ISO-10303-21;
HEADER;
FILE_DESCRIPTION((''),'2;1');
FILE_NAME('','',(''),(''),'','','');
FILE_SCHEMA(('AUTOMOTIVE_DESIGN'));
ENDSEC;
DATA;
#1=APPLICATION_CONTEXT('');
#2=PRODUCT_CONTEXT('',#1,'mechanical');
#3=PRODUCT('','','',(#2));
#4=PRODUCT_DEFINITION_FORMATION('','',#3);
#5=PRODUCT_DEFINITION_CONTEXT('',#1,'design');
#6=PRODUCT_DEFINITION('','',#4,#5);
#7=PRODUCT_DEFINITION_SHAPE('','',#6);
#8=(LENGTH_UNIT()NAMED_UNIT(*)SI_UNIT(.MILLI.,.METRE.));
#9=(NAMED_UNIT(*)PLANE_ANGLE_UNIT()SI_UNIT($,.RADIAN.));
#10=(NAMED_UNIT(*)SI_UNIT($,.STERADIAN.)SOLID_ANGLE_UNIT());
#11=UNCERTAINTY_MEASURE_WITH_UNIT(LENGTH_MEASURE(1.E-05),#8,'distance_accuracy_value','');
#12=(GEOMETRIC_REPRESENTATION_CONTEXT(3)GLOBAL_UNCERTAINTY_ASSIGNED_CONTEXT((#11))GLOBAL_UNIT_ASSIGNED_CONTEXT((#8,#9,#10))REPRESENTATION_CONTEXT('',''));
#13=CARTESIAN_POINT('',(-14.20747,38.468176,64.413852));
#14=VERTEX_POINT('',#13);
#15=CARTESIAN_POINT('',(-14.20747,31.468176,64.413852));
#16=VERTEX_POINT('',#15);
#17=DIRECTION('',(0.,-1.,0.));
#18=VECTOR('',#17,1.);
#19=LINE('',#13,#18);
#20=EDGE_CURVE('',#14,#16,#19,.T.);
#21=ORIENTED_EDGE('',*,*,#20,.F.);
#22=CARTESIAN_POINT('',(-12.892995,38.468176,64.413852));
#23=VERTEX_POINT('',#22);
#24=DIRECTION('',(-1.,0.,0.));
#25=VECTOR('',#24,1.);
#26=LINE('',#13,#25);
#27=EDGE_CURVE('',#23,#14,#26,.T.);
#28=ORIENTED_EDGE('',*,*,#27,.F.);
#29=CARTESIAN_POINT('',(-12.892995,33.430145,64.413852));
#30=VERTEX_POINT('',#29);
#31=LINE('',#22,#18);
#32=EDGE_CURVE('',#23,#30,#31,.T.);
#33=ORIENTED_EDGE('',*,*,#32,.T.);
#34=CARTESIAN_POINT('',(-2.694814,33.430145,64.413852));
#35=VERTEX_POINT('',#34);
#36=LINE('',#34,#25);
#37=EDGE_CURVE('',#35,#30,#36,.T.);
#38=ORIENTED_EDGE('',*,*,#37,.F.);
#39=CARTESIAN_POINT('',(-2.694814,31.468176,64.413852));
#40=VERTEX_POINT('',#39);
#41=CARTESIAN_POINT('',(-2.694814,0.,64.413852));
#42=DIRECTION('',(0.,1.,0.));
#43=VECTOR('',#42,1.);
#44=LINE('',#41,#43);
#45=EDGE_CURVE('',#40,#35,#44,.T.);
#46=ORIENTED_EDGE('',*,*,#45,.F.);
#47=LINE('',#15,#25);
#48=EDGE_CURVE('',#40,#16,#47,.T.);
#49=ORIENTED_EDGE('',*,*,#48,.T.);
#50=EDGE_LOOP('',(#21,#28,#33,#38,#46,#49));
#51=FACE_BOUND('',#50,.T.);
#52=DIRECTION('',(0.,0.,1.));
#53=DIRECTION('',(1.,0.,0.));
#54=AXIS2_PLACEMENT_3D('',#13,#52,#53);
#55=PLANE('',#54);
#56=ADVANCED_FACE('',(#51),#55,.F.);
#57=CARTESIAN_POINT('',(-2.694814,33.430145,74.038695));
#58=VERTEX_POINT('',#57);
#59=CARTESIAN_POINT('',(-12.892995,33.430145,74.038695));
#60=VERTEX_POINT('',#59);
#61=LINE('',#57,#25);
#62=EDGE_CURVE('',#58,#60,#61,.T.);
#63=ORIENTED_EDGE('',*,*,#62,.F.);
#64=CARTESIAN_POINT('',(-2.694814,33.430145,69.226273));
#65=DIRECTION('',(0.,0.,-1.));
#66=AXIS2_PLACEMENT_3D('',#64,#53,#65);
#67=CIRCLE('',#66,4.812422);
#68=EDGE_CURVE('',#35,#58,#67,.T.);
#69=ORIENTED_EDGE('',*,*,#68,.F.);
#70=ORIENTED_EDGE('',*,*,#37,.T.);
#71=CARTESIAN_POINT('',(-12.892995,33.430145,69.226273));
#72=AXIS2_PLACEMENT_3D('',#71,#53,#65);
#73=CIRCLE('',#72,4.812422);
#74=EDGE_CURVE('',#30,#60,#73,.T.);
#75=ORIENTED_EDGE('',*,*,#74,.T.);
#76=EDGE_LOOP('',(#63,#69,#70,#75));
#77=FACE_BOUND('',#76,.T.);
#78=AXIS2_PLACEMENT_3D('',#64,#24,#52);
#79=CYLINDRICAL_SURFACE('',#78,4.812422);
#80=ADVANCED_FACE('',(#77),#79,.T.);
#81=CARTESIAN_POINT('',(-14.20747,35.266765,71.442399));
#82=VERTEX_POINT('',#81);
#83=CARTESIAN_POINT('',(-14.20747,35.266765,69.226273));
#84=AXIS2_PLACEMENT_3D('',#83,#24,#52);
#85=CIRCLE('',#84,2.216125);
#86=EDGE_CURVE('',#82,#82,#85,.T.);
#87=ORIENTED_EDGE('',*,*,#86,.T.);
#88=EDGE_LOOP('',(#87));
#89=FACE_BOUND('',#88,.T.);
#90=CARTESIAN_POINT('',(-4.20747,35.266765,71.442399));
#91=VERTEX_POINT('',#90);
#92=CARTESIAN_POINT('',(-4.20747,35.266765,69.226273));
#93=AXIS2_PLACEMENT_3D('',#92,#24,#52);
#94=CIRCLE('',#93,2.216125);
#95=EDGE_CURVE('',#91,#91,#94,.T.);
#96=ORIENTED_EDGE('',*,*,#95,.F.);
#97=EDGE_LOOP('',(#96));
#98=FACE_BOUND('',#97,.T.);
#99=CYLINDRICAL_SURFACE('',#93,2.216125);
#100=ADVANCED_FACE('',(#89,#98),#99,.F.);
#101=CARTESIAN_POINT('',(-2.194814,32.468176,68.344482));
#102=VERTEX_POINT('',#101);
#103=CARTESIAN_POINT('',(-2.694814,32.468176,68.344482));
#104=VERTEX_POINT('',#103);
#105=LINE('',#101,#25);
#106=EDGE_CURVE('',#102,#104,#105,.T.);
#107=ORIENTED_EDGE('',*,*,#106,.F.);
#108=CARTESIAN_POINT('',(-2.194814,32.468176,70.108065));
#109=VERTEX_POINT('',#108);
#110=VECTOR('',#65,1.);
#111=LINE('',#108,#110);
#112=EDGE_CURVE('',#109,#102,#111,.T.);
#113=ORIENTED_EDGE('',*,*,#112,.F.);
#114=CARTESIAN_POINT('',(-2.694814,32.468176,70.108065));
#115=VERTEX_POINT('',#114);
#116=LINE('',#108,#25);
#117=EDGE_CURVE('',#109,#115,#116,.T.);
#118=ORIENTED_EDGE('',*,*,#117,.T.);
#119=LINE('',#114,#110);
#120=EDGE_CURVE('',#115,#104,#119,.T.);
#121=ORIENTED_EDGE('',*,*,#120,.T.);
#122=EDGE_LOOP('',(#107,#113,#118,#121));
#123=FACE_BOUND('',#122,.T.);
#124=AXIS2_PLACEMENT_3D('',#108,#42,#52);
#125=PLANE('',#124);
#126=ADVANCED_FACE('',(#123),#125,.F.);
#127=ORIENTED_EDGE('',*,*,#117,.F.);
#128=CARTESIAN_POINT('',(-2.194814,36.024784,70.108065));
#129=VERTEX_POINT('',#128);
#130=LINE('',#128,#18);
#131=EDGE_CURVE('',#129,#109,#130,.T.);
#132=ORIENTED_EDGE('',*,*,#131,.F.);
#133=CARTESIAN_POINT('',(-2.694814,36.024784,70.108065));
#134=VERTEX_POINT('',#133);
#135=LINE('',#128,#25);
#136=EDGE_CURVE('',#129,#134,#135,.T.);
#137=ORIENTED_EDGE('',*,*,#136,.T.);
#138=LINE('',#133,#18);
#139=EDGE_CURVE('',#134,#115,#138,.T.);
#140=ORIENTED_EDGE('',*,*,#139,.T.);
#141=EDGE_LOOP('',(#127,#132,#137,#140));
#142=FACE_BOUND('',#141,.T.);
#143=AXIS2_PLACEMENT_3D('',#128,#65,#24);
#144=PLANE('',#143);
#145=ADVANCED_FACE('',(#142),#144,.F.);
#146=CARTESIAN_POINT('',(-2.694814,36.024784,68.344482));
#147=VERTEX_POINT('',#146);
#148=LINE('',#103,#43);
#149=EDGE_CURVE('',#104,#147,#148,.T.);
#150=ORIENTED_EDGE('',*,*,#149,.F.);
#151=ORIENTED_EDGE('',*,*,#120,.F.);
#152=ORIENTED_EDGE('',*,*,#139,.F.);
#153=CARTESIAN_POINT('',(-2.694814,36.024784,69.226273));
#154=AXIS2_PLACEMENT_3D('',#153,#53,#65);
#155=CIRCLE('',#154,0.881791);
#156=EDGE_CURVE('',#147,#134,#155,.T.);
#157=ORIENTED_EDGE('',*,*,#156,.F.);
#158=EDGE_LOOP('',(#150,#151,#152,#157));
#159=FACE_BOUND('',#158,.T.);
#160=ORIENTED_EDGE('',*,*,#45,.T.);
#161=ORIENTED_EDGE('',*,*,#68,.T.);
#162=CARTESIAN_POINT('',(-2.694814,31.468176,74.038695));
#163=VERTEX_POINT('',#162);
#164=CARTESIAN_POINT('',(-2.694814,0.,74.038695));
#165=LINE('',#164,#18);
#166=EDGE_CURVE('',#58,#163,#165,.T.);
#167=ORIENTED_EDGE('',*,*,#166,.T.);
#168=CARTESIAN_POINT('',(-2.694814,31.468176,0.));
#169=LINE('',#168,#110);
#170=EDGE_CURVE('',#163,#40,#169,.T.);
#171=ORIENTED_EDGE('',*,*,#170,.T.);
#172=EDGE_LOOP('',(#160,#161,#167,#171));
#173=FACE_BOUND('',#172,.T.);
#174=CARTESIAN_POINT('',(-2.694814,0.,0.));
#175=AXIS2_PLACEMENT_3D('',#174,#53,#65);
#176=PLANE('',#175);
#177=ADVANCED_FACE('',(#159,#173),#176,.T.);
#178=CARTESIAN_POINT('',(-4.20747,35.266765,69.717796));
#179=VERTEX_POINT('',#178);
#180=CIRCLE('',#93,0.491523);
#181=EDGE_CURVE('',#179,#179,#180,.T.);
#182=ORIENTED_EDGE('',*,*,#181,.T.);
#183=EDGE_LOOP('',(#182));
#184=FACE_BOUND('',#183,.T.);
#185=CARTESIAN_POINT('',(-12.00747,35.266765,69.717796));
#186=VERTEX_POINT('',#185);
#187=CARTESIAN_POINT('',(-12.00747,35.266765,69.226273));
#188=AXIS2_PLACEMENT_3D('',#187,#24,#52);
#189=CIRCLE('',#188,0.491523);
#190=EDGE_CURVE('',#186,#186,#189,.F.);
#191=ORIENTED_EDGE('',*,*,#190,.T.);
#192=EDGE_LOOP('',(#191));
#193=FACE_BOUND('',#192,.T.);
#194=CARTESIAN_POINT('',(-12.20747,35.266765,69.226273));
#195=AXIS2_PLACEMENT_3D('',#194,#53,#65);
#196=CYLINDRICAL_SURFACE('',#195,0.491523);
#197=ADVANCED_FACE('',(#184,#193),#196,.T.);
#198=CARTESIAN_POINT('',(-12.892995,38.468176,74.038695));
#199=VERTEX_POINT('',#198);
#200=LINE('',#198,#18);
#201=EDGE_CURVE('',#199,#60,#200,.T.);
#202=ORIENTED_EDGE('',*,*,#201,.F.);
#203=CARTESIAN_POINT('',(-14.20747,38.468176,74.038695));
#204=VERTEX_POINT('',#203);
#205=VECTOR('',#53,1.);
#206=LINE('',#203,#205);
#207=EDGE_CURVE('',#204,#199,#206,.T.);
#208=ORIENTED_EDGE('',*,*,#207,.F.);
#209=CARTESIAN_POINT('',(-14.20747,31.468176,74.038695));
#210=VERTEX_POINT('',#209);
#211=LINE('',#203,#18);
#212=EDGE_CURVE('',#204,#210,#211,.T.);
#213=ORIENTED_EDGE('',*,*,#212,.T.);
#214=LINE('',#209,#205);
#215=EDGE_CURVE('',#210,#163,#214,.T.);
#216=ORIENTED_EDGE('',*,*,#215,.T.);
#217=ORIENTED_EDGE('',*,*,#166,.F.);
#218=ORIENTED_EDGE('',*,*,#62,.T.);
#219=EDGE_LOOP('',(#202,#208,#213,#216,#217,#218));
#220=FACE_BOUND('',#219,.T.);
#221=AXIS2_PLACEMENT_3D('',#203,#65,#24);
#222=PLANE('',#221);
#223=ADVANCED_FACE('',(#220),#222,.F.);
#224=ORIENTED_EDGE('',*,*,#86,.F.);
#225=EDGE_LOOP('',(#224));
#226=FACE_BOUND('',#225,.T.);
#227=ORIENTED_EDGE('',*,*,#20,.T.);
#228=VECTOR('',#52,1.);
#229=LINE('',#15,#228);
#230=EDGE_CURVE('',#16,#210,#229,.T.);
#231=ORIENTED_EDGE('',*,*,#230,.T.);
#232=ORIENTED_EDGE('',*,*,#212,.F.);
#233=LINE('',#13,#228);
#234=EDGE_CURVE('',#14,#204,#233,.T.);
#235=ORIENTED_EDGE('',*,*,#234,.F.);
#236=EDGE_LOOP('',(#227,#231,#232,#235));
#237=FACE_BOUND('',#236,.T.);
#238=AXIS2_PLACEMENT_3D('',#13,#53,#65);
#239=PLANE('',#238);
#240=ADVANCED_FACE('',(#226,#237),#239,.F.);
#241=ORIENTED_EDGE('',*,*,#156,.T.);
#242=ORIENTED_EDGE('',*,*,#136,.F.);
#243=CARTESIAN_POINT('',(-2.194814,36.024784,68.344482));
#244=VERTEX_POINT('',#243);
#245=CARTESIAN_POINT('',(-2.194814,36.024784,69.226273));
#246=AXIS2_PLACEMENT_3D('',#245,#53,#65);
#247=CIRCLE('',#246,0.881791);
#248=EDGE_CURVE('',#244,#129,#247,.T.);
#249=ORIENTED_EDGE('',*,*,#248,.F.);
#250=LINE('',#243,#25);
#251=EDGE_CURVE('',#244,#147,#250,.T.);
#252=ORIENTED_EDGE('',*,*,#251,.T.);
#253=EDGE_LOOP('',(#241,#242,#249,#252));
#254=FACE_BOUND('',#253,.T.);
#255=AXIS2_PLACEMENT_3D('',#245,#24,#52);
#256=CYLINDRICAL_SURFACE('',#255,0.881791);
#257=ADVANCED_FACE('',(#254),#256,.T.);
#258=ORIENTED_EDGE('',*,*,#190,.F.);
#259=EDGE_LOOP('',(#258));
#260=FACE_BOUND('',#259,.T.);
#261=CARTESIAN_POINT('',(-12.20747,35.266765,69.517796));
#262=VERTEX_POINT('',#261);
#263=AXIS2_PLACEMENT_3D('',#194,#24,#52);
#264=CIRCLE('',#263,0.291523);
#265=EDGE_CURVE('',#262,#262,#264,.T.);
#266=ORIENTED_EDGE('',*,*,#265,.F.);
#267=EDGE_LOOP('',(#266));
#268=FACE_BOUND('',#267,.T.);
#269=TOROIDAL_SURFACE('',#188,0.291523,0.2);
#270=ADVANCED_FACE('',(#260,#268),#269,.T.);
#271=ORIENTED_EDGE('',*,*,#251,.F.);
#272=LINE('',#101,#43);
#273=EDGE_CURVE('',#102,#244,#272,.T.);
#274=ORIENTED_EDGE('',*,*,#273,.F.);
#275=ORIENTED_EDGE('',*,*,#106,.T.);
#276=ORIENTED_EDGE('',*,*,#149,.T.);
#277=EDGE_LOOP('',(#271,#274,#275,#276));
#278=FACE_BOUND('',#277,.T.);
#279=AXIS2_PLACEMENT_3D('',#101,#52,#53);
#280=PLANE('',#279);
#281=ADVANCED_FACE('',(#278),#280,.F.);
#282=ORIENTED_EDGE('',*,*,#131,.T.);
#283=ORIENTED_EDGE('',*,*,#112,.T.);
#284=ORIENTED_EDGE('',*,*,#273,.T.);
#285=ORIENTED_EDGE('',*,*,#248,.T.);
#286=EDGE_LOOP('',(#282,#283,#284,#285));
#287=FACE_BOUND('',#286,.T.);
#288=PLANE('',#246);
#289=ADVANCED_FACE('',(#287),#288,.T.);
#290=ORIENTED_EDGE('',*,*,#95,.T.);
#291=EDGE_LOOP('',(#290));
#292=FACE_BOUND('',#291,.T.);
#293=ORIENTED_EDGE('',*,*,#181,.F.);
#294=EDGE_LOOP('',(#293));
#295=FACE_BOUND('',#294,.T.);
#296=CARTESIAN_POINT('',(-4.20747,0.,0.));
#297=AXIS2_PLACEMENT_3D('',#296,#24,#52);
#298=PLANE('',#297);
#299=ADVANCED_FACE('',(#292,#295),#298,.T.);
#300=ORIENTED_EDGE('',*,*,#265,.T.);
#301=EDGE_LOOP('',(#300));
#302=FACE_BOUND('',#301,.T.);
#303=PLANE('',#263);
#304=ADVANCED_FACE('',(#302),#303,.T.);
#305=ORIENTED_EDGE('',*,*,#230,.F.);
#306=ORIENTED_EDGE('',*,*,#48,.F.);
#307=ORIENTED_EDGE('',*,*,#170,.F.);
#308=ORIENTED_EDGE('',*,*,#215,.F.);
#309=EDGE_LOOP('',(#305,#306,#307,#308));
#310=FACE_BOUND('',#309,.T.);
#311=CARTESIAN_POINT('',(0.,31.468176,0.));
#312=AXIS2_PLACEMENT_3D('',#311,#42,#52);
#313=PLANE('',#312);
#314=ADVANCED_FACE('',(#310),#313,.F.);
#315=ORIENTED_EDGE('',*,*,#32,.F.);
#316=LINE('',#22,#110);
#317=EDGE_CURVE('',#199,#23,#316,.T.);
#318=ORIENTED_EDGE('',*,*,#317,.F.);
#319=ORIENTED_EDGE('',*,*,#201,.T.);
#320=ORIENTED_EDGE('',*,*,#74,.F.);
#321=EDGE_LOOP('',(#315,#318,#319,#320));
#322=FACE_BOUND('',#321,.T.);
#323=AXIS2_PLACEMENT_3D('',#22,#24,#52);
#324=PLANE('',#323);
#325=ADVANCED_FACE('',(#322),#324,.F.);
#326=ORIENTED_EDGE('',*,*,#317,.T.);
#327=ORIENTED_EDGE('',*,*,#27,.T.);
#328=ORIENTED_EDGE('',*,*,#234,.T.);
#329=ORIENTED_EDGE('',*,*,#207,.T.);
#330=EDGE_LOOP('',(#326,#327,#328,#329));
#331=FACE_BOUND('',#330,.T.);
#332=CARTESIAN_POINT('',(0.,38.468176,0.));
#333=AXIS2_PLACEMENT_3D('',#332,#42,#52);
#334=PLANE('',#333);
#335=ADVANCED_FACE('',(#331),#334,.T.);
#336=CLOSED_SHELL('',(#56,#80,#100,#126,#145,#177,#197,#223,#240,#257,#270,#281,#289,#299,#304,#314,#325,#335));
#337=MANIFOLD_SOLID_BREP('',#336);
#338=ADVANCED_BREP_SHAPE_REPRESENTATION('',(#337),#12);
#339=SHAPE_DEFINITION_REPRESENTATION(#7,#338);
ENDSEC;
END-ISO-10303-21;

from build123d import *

# Parameters (mm, degrees)
CROQUIS1_W              = 1.314474999
CROQUIS1_H              = 9.624843278
SALIENTE_EXTRUIR1_DEPTH = 7
SALIENTE_EXTRUIR2_DEPTH = 10.19818
CROQUIS3_R              = 2.216125171
CORTAR_EXTRUIR1_DEPTH   = 10
CROQUIS4_R              = 0.491522535
SALIENTE_EXTRUIR3_DEPTH = 8
REDONDEO1_R             = 0.2
SALIENTE_EXTRUIR4_DEPTH = 0.5


with BuildPart() as part:
    # Croquis1 → Saliente-Extruir1 (new body)
    with BuildSketch(Plane(origin=(0, 31.468175746, 0), x_dir=(1, 0, 0), z_dir=(0, 1, 0))):
        with Locations((-13.550232167, -69.22627342)):
            Rectangle(CROQUIS1_W, CROQUIS1_H)
    extrude(amount=SALIENTE_EXTRUIR1_DEPTH)

    # Croquis2 → Saliente-Extruir2 (add)
    with BuildSketch(Plane(origin=(-12.892994667, 0, 0), x_dir=(0, 0, -1), z_dir=(1, 0, 0))):
        with BuildLine():
            ThreePointArc((-73.620597099, 31.468175746), (-73.933010103, 32.427133129), (-74.038695059, 33.430144513))
            Line((-74.038695059, 33.430144513), (-74.038695059, 31.468175746))
            Line((-74.038695059, 31.468175746), (-73.620597099, 31.468175746))
        make_face()
        with BuildLine():
            Line((-64.413851781, 31.468175746), (-64.413851781, 33.430144513))
            ThreePointArc((-64.413851781, 33.430144513), (-64.519536737, 32.427133129), (-64.831949741, 31.468175746))
            Line((-64.831949741, 31.468175746), (-64.413851781, 31.468175746))
        make_face()
        with BuildLine():
            ThreePointArc((-64.831949741, 31.468175746), (-64.519536737, 32.427133129), (-64.413851781, 33.430144513))
            ThreePointArc((-64.413851781, 33.430144513), (-69.22627342, 38.242566152), (-74.038695059, 33.430144513))
            ThreePointArc((-74.038695059, 33.430144513), (-73.933010103, 32.427133129), (-73.620597099, 31.468175746))
            Line((-73.620597099, 31.468175746), (-64.831949741, 31.468175746))
        make_face()
    extrude(amount=SALIENTE_EXTRUIR2_DEPTH)

    # Croquis3 → Cortar-Extruir1 (cut)
    with BuildSketch(Plane.ZY.offset(14.207469666)):
        with Locations((69.22627342, 35.266765238)):
            Circle(CROQUIS3_R)
    extrude(amount=-CORTAR_EXTRUIR1_DEPTH, mode=Mode.SUBTRACT)

    # Croquis4 → Saliente-Extruir3 (add)
    with BuildSketch(Plane.ZY.offset(4.207469666)):
        with Locations((69.22627342, 35.266765238)):
            Circle(CROQUIS4_R)
    extrude(amount=SALIENTE_EXTRUIR3_DEPTH)

    # Redondeo1
    redondeo1_edges = [part.edges().sort_by_distance(p)[0] for p in [
        (-12.207469666, 35.266765238, 68.734750885),
    ]]
    fillet(redondeo1_edges, radius=REDONDEO1_R)

    # Croquis5 → Saliente-Extruir4 (add)
    with BuildSketch(Plane(origin=(-2.694814404, 0, 0), x_dir=(0, 0, -1), z_dir=(1, 0, 0))):
        with BuildLine():
            Line((-70.108064563, 36.024784092), (-70.108064563, 32.468175746))
            Line((-70.108064563, 32.468175746), (-68.344482277, 32.468175746))
            Line((-68.344482277, 32.468175746), (-68.344482277, 36.024784092))
            ThreePointArc((-68.344482277, 36.024784092), (-69.22627342, 36.906575235), (-70.108064563, 36.024784092))
        make_face()
    extrude(amount=SALIENTE_EXTRUIR4_DEPTH)


solid = part.part
